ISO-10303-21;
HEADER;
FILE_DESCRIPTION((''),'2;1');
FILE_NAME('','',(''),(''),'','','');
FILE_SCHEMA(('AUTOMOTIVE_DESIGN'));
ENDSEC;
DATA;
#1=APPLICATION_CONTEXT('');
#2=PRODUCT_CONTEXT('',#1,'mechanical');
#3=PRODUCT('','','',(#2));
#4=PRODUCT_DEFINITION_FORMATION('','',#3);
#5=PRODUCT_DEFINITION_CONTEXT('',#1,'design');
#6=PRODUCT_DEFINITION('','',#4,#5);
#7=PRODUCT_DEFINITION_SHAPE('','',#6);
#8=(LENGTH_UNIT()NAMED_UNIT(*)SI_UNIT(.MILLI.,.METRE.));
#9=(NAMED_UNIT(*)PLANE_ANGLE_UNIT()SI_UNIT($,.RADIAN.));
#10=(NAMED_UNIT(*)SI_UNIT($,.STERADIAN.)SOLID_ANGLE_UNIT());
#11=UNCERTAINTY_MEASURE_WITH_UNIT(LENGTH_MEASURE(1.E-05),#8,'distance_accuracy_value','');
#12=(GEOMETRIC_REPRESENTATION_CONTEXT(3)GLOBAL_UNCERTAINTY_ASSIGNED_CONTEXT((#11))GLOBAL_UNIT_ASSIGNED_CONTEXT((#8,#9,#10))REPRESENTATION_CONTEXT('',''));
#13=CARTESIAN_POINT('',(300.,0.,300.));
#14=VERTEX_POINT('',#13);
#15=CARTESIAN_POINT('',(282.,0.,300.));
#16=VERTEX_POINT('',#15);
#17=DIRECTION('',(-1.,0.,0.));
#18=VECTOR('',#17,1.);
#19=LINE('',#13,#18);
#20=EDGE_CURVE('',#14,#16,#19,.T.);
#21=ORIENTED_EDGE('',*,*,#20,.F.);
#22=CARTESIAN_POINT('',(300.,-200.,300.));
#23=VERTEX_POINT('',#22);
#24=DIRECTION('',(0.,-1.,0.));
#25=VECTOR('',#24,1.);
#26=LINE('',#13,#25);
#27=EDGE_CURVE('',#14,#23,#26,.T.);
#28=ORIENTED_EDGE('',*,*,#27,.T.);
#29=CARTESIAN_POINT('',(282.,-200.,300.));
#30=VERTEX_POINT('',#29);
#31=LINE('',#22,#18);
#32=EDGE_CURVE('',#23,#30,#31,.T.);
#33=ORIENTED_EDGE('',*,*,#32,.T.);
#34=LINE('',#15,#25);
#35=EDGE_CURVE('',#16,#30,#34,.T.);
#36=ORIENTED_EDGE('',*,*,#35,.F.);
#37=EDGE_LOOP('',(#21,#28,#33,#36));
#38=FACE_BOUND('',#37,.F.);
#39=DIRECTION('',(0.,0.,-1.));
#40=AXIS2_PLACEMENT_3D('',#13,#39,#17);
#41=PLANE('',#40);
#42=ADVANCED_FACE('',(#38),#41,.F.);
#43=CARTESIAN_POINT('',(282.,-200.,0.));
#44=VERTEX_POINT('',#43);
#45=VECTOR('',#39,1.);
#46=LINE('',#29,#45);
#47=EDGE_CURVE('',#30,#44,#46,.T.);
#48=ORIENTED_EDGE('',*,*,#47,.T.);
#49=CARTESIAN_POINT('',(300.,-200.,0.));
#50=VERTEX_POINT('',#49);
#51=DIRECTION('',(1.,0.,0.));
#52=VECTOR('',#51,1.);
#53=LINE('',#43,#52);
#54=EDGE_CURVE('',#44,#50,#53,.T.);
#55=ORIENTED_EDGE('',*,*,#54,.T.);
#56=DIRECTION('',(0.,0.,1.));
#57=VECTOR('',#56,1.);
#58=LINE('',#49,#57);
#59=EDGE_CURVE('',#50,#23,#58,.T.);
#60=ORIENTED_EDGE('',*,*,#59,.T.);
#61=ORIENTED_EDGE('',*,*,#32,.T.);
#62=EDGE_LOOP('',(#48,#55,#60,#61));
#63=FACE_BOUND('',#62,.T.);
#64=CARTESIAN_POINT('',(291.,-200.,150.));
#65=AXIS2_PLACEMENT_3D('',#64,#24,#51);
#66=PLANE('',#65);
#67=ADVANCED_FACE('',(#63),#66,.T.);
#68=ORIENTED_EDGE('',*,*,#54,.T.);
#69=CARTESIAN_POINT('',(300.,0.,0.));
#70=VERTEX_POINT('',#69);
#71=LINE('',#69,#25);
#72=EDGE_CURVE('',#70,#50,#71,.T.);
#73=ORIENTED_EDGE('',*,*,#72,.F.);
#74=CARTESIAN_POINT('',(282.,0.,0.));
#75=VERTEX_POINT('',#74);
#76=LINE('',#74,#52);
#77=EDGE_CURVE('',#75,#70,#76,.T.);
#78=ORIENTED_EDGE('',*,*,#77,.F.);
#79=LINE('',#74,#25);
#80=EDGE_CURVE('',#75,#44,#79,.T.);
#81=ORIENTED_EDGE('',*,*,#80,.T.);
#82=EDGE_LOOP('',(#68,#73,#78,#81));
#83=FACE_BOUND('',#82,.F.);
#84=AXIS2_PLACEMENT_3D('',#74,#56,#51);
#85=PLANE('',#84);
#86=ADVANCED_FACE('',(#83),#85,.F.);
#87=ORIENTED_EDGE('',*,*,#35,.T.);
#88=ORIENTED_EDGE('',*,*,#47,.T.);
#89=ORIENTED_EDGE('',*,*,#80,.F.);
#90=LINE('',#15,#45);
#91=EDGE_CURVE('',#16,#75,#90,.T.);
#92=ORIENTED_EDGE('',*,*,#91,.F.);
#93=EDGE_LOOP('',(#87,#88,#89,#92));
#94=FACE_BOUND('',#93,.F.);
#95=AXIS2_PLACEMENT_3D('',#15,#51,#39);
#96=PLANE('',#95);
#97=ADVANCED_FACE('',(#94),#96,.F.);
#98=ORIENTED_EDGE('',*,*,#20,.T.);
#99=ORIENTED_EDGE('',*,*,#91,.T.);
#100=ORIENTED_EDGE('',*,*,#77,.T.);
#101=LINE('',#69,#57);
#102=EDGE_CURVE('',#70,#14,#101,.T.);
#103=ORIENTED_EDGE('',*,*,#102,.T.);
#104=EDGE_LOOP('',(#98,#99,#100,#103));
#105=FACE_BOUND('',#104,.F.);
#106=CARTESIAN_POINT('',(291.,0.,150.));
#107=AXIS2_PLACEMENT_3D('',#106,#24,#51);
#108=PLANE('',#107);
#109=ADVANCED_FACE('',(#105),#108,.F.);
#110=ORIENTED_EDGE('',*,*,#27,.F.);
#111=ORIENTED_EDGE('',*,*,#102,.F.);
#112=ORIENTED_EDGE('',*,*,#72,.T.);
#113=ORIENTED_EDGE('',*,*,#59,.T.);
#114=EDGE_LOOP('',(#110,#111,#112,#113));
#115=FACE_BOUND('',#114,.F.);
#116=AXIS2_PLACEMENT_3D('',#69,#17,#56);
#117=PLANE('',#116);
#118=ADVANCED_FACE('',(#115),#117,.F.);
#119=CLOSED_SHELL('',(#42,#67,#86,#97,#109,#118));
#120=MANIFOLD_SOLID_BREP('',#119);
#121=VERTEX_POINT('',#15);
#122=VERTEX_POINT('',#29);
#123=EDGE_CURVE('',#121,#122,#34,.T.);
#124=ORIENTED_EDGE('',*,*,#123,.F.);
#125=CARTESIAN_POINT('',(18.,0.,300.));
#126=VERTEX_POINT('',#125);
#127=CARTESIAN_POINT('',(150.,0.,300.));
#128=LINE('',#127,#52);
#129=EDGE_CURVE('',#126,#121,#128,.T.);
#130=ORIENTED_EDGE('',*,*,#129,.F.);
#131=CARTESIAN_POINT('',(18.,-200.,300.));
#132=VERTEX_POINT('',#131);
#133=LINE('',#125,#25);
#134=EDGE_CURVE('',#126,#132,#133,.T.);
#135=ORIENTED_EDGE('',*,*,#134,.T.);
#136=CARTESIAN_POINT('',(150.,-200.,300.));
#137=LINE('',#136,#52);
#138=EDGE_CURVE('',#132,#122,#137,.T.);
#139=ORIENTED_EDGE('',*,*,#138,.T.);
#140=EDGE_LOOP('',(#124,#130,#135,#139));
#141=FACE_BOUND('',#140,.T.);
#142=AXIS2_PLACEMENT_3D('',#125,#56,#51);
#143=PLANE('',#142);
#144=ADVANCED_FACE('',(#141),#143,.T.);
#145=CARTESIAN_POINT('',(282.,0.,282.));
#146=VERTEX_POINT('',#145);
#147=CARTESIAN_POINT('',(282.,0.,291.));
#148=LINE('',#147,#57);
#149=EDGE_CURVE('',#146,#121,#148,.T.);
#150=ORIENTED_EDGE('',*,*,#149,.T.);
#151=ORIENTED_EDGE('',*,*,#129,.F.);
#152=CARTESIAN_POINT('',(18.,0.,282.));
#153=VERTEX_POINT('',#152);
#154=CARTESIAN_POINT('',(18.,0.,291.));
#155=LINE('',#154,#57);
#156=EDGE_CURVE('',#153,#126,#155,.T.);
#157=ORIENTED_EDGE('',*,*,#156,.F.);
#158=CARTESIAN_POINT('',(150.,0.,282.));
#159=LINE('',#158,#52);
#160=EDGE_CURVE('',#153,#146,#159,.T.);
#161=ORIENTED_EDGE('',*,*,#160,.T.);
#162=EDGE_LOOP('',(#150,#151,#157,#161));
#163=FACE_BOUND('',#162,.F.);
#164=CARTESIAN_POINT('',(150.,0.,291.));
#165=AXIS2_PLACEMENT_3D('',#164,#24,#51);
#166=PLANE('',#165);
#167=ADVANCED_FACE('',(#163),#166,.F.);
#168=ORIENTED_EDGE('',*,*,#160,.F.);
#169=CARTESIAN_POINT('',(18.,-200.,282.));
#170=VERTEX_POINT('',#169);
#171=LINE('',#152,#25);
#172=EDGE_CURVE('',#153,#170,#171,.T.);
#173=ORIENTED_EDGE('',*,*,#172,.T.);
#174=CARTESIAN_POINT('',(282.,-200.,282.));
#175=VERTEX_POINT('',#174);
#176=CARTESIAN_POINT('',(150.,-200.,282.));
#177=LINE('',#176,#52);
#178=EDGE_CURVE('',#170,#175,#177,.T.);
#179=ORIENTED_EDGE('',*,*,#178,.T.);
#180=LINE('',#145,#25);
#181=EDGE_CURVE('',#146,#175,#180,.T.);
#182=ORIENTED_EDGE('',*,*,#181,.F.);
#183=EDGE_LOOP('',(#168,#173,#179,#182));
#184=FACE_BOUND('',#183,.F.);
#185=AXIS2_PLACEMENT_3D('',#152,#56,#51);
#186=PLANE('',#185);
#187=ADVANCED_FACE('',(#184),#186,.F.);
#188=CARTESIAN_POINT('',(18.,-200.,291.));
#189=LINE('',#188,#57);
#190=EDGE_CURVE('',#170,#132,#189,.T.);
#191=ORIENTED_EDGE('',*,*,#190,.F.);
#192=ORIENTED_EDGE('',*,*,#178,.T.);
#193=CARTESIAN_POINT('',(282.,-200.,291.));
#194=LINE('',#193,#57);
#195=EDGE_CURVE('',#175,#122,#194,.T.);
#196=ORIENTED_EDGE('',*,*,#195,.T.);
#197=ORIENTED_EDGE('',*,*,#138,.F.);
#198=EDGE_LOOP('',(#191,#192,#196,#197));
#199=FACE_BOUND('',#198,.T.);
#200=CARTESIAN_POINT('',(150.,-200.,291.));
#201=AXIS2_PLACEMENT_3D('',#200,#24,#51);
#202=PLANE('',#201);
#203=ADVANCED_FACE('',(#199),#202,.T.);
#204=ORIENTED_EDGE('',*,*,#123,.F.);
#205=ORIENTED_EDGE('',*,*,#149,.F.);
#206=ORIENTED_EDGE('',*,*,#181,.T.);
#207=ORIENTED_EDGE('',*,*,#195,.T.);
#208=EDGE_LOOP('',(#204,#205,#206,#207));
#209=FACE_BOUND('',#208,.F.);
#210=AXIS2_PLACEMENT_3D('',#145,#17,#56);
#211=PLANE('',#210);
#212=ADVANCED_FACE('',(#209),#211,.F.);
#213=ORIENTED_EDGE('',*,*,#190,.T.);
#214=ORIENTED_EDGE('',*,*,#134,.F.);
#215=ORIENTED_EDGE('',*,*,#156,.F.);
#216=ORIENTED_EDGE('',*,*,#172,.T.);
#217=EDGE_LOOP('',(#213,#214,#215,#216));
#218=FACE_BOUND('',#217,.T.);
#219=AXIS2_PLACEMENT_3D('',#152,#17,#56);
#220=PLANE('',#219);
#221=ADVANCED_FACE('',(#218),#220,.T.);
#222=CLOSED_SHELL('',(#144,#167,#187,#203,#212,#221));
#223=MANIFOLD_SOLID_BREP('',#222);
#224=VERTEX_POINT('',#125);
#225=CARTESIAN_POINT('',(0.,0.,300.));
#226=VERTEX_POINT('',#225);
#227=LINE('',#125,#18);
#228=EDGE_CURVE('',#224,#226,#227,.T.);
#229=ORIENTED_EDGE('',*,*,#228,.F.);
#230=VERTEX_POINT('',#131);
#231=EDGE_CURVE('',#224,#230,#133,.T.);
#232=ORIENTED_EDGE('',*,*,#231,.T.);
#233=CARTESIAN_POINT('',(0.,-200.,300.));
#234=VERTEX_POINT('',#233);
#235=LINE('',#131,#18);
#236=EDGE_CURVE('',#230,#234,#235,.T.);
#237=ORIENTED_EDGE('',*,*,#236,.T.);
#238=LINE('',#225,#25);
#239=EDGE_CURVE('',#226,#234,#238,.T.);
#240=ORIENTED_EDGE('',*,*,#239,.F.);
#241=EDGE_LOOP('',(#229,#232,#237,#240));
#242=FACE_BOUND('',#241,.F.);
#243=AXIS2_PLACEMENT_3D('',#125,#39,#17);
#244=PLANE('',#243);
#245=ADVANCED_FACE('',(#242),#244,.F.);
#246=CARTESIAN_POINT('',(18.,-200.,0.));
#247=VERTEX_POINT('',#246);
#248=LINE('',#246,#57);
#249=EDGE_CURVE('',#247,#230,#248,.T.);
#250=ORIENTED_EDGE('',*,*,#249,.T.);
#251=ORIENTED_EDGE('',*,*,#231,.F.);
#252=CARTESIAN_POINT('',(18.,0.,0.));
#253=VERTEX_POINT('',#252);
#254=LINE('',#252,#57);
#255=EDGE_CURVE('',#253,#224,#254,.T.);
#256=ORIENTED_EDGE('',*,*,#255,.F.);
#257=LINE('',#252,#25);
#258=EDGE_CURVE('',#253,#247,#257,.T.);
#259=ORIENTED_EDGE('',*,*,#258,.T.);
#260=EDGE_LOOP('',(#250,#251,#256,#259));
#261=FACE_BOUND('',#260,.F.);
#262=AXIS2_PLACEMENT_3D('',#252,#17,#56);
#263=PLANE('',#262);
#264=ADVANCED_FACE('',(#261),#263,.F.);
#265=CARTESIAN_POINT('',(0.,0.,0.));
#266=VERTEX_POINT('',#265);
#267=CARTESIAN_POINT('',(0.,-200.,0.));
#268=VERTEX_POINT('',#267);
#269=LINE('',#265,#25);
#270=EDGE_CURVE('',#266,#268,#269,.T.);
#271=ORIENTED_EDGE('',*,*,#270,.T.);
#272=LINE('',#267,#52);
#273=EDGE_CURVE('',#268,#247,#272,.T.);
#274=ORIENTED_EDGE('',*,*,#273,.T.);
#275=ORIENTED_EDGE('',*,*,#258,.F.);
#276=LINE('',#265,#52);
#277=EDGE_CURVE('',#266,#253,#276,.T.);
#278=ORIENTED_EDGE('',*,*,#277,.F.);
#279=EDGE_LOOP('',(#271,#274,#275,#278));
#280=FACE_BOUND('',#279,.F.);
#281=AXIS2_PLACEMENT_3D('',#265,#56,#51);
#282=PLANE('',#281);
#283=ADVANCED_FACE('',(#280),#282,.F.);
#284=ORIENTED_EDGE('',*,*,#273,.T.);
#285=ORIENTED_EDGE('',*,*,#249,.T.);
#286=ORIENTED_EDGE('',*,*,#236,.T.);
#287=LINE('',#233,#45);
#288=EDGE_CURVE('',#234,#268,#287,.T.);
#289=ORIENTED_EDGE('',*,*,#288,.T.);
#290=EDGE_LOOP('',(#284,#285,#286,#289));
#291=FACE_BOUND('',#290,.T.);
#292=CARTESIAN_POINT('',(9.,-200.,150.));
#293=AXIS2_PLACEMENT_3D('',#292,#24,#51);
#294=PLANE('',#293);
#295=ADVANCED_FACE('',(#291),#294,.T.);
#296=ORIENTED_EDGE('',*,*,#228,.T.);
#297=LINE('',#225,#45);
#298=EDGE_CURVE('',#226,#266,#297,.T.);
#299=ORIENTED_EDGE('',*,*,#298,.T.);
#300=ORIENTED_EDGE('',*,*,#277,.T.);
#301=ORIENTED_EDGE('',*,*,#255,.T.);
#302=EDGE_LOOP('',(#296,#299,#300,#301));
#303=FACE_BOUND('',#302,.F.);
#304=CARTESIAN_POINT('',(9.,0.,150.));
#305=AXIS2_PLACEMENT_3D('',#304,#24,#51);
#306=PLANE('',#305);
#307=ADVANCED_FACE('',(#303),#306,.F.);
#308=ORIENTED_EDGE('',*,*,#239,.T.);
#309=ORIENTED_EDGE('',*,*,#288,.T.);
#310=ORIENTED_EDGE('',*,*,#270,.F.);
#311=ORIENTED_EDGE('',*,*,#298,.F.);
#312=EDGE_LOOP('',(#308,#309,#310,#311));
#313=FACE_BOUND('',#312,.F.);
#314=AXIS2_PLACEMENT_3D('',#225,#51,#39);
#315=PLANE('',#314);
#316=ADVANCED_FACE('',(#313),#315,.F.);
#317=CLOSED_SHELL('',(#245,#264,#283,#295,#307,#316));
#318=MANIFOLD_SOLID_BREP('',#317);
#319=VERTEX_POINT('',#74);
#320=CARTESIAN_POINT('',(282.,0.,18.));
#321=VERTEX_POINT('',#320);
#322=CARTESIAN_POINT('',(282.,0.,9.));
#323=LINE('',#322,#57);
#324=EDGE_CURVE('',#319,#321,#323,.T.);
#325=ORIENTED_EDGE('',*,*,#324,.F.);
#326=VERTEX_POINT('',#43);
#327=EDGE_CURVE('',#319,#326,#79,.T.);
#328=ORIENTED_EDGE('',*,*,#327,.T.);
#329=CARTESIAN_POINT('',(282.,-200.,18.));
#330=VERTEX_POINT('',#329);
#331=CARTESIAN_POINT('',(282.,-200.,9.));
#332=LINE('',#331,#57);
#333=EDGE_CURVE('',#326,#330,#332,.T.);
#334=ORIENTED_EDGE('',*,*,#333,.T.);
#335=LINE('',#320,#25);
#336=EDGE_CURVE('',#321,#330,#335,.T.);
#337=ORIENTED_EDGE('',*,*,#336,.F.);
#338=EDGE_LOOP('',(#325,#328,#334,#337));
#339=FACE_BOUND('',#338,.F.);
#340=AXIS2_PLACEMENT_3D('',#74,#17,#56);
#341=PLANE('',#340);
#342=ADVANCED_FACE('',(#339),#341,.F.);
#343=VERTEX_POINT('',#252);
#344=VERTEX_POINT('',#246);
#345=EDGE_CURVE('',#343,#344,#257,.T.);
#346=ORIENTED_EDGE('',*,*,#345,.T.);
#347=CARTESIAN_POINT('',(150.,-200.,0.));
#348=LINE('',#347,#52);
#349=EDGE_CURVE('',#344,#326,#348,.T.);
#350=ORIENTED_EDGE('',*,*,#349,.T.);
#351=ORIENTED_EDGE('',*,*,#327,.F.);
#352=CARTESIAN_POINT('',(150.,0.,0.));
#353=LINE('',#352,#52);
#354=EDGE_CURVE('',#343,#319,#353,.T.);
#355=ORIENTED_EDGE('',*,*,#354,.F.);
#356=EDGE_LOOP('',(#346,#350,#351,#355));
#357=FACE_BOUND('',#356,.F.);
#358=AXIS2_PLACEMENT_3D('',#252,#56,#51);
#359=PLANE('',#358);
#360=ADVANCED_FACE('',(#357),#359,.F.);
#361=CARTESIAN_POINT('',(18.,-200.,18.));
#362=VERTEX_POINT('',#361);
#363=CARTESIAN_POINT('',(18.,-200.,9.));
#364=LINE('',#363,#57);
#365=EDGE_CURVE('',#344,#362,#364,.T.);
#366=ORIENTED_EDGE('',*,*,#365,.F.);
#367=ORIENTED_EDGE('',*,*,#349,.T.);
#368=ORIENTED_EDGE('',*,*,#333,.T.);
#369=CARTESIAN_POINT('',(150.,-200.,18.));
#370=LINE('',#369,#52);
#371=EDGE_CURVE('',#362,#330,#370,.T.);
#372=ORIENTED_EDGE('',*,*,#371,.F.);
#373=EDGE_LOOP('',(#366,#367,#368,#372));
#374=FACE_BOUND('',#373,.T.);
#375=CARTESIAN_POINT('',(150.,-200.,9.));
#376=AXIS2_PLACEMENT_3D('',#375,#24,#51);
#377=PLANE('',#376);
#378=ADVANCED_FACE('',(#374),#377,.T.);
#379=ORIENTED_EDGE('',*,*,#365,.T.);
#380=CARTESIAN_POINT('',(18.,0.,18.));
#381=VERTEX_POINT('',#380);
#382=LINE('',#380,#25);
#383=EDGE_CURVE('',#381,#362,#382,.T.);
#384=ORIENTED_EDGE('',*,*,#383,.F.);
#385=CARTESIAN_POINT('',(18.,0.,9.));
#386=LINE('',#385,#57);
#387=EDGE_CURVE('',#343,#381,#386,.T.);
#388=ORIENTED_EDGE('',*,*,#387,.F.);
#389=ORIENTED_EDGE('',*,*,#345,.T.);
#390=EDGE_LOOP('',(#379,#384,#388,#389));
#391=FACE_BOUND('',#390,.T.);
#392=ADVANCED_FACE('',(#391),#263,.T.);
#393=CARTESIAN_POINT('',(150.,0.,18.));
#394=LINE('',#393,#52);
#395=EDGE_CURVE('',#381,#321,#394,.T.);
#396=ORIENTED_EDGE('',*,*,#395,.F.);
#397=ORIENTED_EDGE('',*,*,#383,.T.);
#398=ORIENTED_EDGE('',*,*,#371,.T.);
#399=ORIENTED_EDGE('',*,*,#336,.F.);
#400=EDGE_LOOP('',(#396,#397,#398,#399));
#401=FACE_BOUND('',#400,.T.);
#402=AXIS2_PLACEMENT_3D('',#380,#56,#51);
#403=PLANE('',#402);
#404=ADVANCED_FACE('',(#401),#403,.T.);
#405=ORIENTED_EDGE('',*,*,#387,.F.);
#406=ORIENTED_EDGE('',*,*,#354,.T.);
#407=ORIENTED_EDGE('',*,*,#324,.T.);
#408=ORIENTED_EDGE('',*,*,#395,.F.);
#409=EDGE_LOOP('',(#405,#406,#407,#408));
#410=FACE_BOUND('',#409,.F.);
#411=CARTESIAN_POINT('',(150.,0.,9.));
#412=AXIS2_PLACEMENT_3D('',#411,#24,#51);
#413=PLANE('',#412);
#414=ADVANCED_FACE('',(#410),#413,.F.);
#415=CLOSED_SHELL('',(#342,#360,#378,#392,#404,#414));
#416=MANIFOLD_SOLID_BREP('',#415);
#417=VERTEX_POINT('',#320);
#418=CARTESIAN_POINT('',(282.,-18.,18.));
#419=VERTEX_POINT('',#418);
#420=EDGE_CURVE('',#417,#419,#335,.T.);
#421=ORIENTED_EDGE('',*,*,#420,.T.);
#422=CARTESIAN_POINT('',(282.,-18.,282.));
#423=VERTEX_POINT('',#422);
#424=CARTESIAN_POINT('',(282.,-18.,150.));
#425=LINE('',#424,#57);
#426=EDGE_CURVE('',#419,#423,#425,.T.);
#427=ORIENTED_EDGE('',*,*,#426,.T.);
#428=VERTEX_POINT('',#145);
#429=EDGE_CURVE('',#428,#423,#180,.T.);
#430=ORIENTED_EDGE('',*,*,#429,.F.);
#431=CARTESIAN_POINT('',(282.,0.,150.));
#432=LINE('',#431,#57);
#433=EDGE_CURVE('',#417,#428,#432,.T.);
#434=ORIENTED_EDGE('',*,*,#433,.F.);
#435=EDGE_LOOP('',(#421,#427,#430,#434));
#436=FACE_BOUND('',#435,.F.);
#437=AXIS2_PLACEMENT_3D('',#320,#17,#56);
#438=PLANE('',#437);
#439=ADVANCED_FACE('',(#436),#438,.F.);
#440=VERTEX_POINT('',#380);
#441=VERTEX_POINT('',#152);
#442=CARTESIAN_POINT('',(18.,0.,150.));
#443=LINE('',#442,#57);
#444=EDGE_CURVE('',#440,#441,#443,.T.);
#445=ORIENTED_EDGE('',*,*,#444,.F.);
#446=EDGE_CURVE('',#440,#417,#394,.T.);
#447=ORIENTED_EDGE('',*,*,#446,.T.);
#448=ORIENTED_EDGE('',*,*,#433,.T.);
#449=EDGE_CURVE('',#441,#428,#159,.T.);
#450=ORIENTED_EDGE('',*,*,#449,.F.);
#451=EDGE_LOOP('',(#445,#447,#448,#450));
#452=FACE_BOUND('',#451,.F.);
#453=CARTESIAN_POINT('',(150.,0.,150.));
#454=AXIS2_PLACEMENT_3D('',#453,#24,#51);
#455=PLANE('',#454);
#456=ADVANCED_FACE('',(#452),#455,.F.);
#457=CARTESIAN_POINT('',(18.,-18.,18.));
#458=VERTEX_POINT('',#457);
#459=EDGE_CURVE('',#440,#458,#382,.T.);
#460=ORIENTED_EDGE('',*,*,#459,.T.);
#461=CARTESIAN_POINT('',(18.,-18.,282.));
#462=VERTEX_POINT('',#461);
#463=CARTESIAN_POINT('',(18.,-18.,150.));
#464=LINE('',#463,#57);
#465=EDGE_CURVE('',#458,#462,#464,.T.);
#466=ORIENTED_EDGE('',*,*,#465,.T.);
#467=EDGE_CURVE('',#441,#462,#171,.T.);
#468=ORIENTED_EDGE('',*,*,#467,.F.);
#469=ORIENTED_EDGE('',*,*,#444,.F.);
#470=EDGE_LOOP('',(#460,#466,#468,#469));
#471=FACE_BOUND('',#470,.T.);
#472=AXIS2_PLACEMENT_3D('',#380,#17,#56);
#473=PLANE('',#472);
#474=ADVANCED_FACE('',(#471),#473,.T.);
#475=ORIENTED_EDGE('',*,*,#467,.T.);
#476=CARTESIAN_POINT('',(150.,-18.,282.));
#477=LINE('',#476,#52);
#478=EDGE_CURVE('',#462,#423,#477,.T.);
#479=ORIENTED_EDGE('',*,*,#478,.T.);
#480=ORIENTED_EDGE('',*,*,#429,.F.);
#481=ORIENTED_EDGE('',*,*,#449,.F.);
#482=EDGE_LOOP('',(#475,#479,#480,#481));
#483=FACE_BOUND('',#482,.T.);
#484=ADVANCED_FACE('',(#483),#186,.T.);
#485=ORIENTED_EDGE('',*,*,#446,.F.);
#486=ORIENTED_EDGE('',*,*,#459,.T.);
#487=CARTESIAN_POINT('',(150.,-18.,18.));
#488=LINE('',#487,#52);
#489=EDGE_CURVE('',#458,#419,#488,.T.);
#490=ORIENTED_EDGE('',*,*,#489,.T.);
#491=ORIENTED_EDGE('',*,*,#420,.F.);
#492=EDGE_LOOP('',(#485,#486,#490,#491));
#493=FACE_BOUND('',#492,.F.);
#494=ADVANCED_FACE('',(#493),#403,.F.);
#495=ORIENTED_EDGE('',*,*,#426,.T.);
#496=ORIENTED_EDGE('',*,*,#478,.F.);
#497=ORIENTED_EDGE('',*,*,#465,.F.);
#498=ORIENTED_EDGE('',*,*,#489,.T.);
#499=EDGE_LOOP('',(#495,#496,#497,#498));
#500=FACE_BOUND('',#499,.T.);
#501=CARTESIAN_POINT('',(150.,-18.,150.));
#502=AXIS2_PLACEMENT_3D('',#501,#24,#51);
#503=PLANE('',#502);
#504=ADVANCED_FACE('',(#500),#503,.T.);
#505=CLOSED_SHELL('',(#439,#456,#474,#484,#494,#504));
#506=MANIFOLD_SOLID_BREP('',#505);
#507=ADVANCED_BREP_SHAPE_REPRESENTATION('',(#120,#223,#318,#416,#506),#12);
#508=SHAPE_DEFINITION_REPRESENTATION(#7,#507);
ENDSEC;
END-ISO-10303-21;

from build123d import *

# Parameters (mm, degrees)
F1_W     = 264
F1_H     = 18
F2_DEPTH = 200
F3_DEPTH = 200
F1_H_2   = 264
F4_DEPTH = 18


with BuildPart() as f2:
    # F1 (on Front) → F2 (new body)
    with BuildSketch(Plane.XZ):
        with Locations((150, 291)):
            Rectangle(F1_W, F1_H)
    extrude(amount=F2_DEPTH)


with BuildPart() as f2b:
    # F1 (on Front) → F2, piece 2 (new body)
    with BuildSketch(Plane.XZ):
        with Locations((150, 9)):
            Rectangle(F1_W, F1_H)
    extrude(amount=F2_DEPTH)


with BuildPart() as f3:
    # F1 (on Front) → F3 (new body)
    with BuildSketch(Plane.XZ):
        Polygon((0, 300), (0, 0), (18, 0), (18, 18), (18, 282), (18, 300), align=None)
    extrude(amount=F3_DEPTH)


with BuildPart() as f3b:
    # F1 (on Front) → F3, piece 2 (new body)
    with BuildSketch(Plane.XZ):
        Polygon((282, 18), (282, 0), (300, 0), (300, 300), (282, 300), (282, 282), align=None)
    extrude(amount=F3_DEPTH)


with BuildPart() as f4:
    # F1 (on Front) → F4 (new body)
    with BuildSketch(Plane.XZ):
        with Locations((150, 150)):
            Rectangle(F1_W, F1_H_2)
    extrude(amount=F4_DEPTH)


solid = Compound([f2.part, f2b.part, f3.part, f3b.part, f4.part])
